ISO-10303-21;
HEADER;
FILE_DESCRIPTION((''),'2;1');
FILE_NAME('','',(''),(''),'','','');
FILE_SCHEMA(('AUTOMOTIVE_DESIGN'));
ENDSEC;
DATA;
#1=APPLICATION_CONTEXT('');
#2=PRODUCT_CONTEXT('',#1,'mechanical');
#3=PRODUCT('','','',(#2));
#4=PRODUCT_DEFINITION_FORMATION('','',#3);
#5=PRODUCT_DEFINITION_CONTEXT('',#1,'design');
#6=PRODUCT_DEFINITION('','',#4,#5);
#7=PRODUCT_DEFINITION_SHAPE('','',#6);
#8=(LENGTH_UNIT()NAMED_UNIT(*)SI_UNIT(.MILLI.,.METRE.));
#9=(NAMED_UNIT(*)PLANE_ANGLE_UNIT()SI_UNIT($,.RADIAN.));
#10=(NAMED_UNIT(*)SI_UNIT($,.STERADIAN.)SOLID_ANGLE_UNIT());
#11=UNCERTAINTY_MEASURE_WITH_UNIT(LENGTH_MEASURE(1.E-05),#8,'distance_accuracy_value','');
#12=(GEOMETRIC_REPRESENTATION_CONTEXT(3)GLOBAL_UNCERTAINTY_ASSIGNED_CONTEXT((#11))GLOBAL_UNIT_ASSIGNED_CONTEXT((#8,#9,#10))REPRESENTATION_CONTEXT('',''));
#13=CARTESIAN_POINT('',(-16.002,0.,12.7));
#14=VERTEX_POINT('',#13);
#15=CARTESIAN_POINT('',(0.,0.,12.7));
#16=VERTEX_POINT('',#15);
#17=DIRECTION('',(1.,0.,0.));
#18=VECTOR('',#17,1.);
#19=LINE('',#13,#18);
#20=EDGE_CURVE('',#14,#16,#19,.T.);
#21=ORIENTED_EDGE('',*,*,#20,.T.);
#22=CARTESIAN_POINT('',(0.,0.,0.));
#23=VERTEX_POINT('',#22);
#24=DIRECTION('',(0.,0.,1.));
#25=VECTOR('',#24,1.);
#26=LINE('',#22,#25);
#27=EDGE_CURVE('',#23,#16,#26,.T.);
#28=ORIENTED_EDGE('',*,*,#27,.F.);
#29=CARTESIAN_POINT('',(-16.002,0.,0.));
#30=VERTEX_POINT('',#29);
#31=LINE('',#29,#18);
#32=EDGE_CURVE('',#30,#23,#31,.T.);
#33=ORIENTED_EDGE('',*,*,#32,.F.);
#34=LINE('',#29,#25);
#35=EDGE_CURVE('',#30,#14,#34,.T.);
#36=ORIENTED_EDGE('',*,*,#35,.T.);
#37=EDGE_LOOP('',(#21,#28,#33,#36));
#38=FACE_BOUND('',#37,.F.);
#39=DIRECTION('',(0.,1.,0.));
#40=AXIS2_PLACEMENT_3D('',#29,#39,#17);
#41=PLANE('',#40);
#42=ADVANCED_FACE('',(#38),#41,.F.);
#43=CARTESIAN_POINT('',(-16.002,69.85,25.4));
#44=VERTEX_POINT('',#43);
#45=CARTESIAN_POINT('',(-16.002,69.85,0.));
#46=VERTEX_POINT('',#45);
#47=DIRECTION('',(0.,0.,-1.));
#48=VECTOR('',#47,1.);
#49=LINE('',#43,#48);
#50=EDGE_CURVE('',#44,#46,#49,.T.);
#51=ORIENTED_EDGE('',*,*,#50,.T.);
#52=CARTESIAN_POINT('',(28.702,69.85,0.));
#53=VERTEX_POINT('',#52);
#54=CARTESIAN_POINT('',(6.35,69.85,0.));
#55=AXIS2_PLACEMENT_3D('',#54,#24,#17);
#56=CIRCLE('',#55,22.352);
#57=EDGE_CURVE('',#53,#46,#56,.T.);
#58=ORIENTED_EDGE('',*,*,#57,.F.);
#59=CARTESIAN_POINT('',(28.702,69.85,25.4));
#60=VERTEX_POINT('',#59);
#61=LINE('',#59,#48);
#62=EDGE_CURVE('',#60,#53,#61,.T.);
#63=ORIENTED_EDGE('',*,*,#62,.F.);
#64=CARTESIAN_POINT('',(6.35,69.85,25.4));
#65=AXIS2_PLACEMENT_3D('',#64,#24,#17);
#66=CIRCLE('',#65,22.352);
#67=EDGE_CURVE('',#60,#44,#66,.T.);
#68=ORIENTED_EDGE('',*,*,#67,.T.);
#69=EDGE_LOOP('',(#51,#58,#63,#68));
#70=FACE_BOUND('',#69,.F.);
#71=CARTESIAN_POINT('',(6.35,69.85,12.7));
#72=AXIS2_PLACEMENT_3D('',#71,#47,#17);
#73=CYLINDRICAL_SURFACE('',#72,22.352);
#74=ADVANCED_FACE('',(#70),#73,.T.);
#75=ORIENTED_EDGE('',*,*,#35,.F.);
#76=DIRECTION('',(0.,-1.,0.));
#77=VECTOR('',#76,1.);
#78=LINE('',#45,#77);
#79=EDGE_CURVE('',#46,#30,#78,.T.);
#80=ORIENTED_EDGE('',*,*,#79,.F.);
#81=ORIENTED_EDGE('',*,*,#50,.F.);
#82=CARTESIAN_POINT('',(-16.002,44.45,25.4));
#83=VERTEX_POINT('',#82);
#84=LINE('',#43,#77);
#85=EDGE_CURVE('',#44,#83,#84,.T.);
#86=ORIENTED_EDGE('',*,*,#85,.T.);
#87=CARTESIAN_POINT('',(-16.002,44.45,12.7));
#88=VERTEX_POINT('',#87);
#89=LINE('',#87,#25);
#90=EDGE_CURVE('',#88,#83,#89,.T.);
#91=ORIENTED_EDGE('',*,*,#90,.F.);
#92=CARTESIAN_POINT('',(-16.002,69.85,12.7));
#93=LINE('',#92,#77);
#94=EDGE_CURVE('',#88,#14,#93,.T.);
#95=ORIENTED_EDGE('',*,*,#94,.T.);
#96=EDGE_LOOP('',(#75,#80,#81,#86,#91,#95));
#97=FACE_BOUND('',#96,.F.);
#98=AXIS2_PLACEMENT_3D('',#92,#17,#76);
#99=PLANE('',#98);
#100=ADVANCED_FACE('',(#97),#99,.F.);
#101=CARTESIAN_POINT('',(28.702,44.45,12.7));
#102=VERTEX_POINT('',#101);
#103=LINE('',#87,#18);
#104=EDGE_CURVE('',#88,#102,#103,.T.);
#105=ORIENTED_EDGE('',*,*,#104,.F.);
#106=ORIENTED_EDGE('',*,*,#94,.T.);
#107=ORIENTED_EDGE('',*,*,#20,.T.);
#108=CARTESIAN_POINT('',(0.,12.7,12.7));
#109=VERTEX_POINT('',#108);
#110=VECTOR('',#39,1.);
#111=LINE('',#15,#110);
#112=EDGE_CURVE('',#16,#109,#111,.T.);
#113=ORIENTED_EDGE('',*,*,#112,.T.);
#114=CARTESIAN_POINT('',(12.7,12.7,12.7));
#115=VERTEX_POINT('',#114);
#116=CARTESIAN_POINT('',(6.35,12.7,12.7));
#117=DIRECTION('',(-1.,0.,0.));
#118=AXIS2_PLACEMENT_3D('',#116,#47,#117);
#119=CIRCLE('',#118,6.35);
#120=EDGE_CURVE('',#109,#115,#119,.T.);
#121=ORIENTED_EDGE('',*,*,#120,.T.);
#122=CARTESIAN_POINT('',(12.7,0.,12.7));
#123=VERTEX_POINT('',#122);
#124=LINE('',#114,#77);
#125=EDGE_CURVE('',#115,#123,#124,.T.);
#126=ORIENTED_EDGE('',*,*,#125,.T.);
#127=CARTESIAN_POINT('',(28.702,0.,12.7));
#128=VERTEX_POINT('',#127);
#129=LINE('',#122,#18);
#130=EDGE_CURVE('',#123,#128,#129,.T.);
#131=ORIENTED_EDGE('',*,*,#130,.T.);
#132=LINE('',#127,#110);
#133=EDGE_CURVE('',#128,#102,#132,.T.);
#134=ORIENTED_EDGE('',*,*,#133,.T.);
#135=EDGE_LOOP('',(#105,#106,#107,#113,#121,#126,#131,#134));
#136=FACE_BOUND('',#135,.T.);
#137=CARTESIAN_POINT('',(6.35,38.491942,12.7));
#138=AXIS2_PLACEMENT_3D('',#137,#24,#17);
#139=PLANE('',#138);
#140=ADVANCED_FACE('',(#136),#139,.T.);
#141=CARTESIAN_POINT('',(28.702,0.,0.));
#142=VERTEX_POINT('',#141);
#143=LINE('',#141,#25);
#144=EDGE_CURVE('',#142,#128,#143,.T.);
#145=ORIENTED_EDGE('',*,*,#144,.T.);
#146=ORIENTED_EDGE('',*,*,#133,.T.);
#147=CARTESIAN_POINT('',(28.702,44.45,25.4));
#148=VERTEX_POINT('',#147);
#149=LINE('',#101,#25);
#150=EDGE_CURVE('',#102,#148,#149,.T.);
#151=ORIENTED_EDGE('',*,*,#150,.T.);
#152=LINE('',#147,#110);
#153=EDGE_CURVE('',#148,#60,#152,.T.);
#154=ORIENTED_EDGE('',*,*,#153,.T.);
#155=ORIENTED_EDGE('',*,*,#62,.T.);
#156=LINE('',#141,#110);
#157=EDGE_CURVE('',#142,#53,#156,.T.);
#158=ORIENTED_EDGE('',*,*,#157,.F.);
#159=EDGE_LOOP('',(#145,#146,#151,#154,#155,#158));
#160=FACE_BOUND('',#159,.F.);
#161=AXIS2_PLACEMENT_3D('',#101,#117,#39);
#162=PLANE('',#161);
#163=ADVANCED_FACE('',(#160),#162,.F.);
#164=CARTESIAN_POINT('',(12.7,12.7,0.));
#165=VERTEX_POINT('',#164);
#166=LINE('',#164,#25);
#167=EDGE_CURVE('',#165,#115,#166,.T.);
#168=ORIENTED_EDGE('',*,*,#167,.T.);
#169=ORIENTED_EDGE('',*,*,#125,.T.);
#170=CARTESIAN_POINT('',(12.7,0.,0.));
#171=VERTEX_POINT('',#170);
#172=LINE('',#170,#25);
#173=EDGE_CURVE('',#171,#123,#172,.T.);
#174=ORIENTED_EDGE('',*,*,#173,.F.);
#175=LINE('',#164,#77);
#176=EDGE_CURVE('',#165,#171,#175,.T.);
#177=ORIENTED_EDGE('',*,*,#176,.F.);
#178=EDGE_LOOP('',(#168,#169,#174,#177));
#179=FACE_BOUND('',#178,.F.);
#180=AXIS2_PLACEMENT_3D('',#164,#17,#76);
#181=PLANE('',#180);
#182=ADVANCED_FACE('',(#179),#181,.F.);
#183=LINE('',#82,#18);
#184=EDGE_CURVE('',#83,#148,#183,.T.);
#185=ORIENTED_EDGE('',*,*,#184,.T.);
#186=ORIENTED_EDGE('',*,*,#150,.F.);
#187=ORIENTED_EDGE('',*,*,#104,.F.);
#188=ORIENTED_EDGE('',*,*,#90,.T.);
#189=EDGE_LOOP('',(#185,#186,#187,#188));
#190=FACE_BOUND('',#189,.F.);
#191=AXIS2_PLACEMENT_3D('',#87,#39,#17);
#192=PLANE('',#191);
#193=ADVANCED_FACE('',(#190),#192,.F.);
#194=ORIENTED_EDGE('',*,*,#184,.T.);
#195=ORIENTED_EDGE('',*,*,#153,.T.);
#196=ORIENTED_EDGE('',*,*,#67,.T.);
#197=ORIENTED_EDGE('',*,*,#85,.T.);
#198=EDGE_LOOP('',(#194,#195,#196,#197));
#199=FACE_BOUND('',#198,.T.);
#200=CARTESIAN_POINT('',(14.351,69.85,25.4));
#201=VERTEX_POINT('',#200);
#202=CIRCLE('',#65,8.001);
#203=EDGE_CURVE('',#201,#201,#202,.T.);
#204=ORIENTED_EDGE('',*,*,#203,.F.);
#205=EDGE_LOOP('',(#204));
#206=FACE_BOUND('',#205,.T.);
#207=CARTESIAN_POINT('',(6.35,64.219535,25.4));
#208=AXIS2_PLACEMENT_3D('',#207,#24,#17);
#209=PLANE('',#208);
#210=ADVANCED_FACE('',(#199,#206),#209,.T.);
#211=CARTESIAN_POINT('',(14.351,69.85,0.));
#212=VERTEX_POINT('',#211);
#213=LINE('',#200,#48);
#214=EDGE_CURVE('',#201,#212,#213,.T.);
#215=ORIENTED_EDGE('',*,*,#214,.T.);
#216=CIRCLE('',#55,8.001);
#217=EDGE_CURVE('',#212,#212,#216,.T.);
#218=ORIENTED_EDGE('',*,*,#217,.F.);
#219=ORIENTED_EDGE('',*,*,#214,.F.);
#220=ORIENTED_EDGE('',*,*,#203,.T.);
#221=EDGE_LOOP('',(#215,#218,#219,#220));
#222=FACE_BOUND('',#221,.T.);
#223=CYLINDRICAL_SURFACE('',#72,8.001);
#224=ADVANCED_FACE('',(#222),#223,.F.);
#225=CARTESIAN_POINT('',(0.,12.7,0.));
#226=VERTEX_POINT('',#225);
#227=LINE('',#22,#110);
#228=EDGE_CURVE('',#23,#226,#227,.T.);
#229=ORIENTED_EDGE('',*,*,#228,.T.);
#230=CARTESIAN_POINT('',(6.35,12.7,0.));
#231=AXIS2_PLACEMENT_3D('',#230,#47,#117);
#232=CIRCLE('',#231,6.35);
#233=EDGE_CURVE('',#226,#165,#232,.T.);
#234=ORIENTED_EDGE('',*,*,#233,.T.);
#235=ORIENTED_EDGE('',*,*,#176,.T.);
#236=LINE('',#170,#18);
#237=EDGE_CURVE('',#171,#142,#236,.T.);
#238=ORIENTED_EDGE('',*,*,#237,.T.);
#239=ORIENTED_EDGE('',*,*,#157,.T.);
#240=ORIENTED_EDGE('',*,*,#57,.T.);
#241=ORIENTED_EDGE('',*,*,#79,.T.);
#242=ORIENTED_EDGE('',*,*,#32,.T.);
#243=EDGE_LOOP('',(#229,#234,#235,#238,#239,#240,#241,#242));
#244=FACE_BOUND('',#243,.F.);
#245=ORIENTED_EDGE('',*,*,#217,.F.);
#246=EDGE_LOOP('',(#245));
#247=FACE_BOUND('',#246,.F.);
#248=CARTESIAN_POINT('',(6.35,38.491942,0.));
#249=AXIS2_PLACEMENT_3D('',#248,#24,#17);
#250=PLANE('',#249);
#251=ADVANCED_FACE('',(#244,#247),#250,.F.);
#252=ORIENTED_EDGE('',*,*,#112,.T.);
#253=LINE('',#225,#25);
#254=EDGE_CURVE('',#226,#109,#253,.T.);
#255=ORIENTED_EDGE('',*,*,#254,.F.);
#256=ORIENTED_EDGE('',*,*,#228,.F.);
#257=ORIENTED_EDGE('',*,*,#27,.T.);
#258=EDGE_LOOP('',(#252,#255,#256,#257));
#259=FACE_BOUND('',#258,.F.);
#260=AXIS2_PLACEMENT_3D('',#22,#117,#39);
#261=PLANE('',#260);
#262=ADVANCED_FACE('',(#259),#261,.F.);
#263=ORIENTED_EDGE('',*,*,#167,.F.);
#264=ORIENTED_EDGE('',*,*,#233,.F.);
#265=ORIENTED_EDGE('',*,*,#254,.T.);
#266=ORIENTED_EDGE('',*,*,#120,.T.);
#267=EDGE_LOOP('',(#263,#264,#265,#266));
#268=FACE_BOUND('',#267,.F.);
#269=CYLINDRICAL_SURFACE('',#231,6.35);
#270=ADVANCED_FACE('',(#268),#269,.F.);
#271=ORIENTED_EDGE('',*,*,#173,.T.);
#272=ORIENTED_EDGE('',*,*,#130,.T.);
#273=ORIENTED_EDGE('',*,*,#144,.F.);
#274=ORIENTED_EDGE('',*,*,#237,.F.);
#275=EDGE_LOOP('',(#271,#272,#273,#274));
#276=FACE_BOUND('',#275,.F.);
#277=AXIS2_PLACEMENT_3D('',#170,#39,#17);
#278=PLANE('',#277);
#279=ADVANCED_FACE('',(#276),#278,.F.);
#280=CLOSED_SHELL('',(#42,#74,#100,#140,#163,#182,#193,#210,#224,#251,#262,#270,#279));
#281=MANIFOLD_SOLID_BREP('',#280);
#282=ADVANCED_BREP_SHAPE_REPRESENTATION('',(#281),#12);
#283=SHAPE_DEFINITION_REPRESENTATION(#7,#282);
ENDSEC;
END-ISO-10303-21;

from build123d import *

# Parameters (mm, degrees)
F0_R     = 8.001
F1_DEPTH = 12.7
F2_R     = 8.001
F3_DEPTH = 12.7


with BuildPart() as f1:
    # F0 (on Top) → F1 (new body)
    with BuildSketch(Plane.XY):
        with BuildLine():
            Line((-16.002, 0), (0, 0))
            Line((0, 0), (0, 12.7))
            ThreePointArc((0, 12.7), (6.35, 19.05), (12.7, 12.7))
            Line((12.7, 12.7), (12.7, 0))
            Line((12.7, 0), (28.702, 0))
            Line((28.702, 0), (28.702, 44.45))
            Line((28.702, 44.45), (28.702, 69.85))
            ThreePointArc((28.702, 69.85), (6.35, 92.202), (-16.002, 69.85))
            Line((-16.002, 69.85), (-16.002, 44.45))
            Line((-16.002, 44.45), (-16.002, 0))
        make_face()
        with Locations((6.35, 69.85)):
            Circle(F0_R, mode=Mode.SUBTRACT)
    extrude(amount=F1_DEPTH)

    # F2 (on face) → F3 (join)
    with BuildSketch(Plane.XY.offset(12.7)):
        with BuildLine():
            Line((-16.002, 69.85), (-16.002, 44.45))
            Line((-16.002, 44.45), (28.702, 44.45))
            Line((28.702, 44.45), (28.702, 69.85))
            ThreePointArc((28.702, 69.85), (6.35, 92.202), (-16.002, 69.85))
        make_face()
        with Locations((6.35, 69.85)):
            Circle(F2_R, mode=Mode.SUBTRACT)
    extrude(amount=F3_DEPTH)


solid = f1.part
